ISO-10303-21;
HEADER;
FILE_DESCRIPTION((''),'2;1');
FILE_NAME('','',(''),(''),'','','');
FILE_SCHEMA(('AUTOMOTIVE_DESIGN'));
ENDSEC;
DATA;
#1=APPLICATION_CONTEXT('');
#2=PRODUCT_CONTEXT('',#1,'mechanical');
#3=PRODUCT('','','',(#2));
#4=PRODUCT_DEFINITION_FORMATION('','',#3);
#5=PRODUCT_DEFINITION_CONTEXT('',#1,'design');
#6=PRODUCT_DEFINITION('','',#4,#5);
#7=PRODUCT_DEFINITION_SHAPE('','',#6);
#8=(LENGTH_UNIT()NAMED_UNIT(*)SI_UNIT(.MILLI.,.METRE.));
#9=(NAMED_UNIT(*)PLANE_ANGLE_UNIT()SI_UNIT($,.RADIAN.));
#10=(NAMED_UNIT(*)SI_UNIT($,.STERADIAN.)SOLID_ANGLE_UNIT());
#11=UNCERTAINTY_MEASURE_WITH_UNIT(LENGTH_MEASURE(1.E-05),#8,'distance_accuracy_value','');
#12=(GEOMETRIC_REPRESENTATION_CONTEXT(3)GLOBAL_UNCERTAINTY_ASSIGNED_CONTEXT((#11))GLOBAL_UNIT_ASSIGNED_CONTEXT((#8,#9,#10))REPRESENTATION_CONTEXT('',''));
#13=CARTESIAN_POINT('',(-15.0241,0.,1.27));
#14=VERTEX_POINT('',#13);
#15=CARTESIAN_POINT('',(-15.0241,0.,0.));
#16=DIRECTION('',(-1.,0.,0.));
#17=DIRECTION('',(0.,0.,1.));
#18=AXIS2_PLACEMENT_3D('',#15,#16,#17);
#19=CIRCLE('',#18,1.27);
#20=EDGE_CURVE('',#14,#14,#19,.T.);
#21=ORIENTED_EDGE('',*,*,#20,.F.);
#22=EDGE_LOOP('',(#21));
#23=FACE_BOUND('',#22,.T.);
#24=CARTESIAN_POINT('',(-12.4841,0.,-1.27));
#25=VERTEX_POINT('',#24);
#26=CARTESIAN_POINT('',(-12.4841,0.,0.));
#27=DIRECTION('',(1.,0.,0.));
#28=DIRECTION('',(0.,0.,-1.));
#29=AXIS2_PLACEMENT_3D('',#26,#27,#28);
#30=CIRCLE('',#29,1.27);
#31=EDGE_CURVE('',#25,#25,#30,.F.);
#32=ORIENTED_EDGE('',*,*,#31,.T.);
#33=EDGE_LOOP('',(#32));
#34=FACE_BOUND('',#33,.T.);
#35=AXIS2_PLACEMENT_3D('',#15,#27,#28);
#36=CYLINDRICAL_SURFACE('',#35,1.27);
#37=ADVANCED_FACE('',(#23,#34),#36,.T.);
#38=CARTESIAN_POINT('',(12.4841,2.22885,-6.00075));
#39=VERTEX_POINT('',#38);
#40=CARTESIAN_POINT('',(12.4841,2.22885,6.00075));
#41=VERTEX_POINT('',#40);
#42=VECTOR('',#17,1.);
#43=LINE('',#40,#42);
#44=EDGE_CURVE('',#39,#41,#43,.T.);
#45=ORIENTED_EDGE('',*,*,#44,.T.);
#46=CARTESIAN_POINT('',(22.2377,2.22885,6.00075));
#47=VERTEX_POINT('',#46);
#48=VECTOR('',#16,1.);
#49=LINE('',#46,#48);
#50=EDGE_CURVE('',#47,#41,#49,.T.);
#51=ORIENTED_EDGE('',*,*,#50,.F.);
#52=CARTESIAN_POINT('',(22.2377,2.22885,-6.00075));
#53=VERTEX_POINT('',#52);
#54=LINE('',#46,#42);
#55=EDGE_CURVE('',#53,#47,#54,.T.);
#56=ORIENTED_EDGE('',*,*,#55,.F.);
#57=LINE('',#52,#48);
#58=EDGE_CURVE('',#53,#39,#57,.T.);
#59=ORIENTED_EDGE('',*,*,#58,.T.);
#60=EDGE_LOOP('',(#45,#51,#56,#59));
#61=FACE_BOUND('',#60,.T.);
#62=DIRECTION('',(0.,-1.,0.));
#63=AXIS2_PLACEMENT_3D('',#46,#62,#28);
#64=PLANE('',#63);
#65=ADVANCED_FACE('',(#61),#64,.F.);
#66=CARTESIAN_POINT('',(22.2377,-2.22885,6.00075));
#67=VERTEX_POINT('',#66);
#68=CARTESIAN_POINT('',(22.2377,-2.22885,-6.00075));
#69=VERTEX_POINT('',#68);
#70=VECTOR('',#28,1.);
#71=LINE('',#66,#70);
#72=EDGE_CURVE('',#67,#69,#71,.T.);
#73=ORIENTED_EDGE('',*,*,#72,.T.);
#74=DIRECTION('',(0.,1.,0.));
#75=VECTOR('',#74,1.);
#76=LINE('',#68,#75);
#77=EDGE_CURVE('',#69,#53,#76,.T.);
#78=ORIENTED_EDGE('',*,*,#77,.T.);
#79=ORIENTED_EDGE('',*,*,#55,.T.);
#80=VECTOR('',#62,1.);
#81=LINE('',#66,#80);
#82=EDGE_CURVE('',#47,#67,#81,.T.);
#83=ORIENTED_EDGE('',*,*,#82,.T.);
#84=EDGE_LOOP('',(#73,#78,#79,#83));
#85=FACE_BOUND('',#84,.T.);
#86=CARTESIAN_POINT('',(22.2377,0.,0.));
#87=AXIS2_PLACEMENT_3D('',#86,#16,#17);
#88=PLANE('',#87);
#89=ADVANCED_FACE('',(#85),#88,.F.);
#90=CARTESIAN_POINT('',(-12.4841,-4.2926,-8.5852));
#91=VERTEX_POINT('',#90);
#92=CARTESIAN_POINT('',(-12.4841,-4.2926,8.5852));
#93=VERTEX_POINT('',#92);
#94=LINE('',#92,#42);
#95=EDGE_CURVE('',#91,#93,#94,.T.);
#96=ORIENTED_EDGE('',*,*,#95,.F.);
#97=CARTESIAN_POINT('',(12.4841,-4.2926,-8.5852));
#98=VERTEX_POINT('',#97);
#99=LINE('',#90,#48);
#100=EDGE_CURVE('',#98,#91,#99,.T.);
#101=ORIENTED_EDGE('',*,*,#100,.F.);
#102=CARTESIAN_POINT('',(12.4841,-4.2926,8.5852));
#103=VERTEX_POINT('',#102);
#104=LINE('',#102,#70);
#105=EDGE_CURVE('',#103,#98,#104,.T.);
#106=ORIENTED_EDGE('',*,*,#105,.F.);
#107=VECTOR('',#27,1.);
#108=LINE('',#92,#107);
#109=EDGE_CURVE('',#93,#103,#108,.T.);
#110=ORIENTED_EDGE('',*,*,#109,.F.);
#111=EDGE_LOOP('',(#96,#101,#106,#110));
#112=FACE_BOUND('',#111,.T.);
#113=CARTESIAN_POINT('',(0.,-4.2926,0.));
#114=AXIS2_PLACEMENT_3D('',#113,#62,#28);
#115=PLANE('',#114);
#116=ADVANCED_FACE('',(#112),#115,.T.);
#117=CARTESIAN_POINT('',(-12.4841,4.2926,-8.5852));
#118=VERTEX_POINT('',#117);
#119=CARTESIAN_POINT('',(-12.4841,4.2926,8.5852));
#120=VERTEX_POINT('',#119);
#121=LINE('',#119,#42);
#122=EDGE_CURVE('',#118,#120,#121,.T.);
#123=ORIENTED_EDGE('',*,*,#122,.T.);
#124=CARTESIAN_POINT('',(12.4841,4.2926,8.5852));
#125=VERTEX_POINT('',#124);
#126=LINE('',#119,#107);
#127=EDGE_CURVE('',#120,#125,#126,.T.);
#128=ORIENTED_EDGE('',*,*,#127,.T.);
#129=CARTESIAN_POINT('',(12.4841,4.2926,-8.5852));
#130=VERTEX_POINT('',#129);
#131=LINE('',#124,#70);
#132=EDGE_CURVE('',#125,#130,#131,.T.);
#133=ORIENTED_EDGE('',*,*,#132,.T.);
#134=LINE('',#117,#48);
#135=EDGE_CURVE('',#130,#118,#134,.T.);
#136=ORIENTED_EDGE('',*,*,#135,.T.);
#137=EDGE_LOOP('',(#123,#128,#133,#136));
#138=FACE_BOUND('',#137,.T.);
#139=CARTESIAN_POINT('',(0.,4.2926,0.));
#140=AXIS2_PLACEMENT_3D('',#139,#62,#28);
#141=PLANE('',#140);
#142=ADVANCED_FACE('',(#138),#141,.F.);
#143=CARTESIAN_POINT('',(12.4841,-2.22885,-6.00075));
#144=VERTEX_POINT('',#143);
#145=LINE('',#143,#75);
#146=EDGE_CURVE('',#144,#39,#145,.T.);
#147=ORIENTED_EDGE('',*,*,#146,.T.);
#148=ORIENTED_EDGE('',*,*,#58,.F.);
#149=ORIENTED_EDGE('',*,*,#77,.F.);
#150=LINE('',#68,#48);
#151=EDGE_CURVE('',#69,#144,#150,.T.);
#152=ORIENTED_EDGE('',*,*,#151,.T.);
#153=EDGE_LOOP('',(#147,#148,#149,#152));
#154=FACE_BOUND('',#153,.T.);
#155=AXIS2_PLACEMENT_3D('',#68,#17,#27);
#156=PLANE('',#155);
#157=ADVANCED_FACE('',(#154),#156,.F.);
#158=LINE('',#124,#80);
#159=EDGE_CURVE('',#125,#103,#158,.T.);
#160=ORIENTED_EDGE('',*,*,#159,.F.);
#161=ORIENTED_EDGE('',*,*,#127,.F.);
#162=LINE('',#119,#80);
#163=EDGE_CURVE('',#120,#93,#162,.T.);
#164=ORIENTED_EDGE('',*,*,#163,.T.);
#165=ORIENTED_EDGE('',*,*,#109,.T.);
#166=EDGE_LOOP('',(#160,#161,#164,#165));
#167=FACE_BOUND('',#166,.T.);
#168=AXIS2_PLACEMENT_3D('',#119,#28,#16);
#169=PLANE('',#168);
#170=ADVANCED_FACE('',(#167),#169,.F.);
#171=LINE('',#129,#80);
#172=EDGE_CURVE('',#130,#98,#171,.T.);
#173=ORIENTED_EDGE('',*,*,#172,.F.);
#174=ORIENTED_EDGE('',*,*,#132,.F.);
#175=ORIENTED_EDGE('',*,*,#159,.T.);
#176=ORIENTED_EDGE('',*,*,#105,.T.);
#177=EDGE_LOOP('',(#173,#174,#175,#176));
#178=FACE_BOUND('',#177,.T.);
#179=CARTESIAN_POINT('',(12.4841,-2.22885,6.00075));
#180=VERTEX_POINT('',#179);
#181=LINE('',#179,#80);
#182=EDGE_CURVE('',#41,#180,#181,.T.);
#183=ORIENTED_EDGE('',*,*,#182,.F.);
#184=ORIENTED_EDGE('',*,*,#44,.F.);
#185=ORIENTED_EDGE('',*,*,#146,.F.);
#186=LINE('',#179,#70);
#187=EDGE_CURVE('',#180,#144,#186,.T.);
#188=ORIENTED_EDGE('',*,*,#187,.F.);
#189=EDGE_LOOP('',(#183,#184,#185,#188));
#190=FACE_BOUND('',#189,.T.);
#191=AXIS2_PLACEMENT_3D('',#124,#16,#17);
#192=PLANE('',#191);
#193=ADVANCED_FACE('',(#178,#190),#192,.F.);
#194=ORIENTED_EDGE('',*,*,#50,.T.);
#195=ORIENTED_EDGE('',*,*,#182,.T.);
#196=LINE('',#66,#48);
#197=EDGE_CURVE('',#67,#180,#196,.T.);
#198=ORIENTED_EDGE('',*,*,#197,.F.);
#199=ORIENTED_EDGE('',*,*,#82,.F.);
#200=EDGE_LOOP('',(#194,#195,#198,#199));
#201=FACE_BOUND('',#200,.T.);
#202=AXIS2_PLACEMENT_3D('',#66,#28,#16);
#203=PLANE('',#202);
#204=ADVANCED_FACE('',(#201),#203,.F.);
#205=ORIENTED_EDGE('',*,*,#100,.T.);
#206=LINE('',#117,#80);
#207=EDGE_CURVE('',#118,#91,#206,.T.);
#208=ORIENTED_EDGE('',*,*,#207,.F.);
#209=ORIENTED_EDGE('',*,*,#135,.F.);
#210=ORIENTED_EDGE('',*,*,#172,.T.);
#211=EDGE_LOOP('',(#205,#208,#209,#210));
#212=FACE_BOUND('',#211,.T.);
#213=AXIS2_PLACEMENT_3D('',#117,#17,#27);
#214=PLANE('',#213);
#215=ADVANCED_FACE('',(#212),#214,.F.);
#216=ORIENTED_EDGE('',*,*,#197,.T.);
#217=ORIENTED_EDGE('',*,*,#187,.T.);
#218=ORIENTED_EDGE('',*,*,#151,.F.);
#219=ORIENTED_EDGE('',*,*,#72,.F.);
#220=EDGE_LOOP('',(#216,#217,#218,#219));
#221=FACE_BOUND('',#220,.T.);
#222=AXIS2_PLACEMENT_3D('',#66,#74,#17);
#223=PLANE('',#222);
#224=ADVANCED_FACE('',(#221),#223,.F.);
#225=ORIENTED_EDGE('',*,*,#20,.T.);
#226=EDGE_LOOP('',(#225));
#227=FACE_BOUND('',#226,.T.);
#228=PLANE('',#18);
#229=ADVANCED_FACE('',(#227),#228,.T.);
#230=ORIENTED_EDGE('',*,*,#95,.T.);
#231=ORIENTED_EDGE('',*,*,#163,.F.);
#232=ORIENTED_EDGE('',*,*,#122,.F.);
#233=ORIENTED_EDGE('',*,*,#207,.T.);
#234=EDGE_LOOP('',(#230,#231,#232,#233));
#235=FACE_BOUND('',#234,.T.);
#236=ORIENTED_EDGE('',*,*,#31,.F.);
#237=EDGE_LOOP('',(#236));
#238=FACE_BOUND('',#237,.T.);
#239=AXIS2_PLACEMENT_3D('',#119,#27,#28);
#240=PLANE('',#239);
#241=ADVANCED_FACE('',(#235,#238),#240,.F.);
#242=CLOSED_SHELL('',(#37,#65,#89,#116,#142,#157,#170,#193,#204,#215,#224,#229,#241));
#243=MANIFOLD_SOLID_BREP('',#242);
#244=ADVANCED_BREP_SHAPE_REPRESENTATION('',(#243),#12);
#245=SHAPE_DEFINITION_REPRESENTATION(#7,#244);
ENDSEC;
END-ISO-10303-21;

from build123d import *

# Parameters (mm, degrees)
SKETCH1_W           = 24.9682
SKETCH1_H           = 17.1704
BOSS_EXTRUDE1_DEPTH = 4.2926
SKETCH3_W           = 12.0015
SKETCH3_H           = 4.4577
BOSS_EXTRUDE2_DEPTH = 9.7536
SKETCH4_R           = 1.27
BOSS_EXTRUDE3_DEPTH = 2.54


with BuildPart() as part:
    # Sketch1 → Boss-Extrude1 (new, symmetric)
    with BuildSketch(Plane(origin=(0, 0, 0), x_dir=(1, 0, 0), z_dir=(0, 1, 0))):
        Rectangle(SKETCH1_W, SKETCH1_H)
    extrude(amount=BOSS_EXTRUDE1_DEPTH, both=True)

    # Sketch3 → Boss-Extrude2 (add)
    with BuildSketch(Plane(origin=(12.4841, 0, 0), x_dir=(0, 0, -1), z_dir=(1, 0, 0))):
        Rectangle(SKETCH3_W, SKETCH3_H)
    extrude(amount=BOSS_EXTRUDE2_DEPTH)

    # Sketch4 → Boss-Extrude3 (add)
    with BuildSketch(Plane.ZY.offset(12.4841)):
        with Locations(Location((0, 0, 0), (0, 0, 180))):
            Circle(SKETCH4_R)
    extrude(amount=BOSS_EXTRUDE3_DEPTH)


solid = part.part
